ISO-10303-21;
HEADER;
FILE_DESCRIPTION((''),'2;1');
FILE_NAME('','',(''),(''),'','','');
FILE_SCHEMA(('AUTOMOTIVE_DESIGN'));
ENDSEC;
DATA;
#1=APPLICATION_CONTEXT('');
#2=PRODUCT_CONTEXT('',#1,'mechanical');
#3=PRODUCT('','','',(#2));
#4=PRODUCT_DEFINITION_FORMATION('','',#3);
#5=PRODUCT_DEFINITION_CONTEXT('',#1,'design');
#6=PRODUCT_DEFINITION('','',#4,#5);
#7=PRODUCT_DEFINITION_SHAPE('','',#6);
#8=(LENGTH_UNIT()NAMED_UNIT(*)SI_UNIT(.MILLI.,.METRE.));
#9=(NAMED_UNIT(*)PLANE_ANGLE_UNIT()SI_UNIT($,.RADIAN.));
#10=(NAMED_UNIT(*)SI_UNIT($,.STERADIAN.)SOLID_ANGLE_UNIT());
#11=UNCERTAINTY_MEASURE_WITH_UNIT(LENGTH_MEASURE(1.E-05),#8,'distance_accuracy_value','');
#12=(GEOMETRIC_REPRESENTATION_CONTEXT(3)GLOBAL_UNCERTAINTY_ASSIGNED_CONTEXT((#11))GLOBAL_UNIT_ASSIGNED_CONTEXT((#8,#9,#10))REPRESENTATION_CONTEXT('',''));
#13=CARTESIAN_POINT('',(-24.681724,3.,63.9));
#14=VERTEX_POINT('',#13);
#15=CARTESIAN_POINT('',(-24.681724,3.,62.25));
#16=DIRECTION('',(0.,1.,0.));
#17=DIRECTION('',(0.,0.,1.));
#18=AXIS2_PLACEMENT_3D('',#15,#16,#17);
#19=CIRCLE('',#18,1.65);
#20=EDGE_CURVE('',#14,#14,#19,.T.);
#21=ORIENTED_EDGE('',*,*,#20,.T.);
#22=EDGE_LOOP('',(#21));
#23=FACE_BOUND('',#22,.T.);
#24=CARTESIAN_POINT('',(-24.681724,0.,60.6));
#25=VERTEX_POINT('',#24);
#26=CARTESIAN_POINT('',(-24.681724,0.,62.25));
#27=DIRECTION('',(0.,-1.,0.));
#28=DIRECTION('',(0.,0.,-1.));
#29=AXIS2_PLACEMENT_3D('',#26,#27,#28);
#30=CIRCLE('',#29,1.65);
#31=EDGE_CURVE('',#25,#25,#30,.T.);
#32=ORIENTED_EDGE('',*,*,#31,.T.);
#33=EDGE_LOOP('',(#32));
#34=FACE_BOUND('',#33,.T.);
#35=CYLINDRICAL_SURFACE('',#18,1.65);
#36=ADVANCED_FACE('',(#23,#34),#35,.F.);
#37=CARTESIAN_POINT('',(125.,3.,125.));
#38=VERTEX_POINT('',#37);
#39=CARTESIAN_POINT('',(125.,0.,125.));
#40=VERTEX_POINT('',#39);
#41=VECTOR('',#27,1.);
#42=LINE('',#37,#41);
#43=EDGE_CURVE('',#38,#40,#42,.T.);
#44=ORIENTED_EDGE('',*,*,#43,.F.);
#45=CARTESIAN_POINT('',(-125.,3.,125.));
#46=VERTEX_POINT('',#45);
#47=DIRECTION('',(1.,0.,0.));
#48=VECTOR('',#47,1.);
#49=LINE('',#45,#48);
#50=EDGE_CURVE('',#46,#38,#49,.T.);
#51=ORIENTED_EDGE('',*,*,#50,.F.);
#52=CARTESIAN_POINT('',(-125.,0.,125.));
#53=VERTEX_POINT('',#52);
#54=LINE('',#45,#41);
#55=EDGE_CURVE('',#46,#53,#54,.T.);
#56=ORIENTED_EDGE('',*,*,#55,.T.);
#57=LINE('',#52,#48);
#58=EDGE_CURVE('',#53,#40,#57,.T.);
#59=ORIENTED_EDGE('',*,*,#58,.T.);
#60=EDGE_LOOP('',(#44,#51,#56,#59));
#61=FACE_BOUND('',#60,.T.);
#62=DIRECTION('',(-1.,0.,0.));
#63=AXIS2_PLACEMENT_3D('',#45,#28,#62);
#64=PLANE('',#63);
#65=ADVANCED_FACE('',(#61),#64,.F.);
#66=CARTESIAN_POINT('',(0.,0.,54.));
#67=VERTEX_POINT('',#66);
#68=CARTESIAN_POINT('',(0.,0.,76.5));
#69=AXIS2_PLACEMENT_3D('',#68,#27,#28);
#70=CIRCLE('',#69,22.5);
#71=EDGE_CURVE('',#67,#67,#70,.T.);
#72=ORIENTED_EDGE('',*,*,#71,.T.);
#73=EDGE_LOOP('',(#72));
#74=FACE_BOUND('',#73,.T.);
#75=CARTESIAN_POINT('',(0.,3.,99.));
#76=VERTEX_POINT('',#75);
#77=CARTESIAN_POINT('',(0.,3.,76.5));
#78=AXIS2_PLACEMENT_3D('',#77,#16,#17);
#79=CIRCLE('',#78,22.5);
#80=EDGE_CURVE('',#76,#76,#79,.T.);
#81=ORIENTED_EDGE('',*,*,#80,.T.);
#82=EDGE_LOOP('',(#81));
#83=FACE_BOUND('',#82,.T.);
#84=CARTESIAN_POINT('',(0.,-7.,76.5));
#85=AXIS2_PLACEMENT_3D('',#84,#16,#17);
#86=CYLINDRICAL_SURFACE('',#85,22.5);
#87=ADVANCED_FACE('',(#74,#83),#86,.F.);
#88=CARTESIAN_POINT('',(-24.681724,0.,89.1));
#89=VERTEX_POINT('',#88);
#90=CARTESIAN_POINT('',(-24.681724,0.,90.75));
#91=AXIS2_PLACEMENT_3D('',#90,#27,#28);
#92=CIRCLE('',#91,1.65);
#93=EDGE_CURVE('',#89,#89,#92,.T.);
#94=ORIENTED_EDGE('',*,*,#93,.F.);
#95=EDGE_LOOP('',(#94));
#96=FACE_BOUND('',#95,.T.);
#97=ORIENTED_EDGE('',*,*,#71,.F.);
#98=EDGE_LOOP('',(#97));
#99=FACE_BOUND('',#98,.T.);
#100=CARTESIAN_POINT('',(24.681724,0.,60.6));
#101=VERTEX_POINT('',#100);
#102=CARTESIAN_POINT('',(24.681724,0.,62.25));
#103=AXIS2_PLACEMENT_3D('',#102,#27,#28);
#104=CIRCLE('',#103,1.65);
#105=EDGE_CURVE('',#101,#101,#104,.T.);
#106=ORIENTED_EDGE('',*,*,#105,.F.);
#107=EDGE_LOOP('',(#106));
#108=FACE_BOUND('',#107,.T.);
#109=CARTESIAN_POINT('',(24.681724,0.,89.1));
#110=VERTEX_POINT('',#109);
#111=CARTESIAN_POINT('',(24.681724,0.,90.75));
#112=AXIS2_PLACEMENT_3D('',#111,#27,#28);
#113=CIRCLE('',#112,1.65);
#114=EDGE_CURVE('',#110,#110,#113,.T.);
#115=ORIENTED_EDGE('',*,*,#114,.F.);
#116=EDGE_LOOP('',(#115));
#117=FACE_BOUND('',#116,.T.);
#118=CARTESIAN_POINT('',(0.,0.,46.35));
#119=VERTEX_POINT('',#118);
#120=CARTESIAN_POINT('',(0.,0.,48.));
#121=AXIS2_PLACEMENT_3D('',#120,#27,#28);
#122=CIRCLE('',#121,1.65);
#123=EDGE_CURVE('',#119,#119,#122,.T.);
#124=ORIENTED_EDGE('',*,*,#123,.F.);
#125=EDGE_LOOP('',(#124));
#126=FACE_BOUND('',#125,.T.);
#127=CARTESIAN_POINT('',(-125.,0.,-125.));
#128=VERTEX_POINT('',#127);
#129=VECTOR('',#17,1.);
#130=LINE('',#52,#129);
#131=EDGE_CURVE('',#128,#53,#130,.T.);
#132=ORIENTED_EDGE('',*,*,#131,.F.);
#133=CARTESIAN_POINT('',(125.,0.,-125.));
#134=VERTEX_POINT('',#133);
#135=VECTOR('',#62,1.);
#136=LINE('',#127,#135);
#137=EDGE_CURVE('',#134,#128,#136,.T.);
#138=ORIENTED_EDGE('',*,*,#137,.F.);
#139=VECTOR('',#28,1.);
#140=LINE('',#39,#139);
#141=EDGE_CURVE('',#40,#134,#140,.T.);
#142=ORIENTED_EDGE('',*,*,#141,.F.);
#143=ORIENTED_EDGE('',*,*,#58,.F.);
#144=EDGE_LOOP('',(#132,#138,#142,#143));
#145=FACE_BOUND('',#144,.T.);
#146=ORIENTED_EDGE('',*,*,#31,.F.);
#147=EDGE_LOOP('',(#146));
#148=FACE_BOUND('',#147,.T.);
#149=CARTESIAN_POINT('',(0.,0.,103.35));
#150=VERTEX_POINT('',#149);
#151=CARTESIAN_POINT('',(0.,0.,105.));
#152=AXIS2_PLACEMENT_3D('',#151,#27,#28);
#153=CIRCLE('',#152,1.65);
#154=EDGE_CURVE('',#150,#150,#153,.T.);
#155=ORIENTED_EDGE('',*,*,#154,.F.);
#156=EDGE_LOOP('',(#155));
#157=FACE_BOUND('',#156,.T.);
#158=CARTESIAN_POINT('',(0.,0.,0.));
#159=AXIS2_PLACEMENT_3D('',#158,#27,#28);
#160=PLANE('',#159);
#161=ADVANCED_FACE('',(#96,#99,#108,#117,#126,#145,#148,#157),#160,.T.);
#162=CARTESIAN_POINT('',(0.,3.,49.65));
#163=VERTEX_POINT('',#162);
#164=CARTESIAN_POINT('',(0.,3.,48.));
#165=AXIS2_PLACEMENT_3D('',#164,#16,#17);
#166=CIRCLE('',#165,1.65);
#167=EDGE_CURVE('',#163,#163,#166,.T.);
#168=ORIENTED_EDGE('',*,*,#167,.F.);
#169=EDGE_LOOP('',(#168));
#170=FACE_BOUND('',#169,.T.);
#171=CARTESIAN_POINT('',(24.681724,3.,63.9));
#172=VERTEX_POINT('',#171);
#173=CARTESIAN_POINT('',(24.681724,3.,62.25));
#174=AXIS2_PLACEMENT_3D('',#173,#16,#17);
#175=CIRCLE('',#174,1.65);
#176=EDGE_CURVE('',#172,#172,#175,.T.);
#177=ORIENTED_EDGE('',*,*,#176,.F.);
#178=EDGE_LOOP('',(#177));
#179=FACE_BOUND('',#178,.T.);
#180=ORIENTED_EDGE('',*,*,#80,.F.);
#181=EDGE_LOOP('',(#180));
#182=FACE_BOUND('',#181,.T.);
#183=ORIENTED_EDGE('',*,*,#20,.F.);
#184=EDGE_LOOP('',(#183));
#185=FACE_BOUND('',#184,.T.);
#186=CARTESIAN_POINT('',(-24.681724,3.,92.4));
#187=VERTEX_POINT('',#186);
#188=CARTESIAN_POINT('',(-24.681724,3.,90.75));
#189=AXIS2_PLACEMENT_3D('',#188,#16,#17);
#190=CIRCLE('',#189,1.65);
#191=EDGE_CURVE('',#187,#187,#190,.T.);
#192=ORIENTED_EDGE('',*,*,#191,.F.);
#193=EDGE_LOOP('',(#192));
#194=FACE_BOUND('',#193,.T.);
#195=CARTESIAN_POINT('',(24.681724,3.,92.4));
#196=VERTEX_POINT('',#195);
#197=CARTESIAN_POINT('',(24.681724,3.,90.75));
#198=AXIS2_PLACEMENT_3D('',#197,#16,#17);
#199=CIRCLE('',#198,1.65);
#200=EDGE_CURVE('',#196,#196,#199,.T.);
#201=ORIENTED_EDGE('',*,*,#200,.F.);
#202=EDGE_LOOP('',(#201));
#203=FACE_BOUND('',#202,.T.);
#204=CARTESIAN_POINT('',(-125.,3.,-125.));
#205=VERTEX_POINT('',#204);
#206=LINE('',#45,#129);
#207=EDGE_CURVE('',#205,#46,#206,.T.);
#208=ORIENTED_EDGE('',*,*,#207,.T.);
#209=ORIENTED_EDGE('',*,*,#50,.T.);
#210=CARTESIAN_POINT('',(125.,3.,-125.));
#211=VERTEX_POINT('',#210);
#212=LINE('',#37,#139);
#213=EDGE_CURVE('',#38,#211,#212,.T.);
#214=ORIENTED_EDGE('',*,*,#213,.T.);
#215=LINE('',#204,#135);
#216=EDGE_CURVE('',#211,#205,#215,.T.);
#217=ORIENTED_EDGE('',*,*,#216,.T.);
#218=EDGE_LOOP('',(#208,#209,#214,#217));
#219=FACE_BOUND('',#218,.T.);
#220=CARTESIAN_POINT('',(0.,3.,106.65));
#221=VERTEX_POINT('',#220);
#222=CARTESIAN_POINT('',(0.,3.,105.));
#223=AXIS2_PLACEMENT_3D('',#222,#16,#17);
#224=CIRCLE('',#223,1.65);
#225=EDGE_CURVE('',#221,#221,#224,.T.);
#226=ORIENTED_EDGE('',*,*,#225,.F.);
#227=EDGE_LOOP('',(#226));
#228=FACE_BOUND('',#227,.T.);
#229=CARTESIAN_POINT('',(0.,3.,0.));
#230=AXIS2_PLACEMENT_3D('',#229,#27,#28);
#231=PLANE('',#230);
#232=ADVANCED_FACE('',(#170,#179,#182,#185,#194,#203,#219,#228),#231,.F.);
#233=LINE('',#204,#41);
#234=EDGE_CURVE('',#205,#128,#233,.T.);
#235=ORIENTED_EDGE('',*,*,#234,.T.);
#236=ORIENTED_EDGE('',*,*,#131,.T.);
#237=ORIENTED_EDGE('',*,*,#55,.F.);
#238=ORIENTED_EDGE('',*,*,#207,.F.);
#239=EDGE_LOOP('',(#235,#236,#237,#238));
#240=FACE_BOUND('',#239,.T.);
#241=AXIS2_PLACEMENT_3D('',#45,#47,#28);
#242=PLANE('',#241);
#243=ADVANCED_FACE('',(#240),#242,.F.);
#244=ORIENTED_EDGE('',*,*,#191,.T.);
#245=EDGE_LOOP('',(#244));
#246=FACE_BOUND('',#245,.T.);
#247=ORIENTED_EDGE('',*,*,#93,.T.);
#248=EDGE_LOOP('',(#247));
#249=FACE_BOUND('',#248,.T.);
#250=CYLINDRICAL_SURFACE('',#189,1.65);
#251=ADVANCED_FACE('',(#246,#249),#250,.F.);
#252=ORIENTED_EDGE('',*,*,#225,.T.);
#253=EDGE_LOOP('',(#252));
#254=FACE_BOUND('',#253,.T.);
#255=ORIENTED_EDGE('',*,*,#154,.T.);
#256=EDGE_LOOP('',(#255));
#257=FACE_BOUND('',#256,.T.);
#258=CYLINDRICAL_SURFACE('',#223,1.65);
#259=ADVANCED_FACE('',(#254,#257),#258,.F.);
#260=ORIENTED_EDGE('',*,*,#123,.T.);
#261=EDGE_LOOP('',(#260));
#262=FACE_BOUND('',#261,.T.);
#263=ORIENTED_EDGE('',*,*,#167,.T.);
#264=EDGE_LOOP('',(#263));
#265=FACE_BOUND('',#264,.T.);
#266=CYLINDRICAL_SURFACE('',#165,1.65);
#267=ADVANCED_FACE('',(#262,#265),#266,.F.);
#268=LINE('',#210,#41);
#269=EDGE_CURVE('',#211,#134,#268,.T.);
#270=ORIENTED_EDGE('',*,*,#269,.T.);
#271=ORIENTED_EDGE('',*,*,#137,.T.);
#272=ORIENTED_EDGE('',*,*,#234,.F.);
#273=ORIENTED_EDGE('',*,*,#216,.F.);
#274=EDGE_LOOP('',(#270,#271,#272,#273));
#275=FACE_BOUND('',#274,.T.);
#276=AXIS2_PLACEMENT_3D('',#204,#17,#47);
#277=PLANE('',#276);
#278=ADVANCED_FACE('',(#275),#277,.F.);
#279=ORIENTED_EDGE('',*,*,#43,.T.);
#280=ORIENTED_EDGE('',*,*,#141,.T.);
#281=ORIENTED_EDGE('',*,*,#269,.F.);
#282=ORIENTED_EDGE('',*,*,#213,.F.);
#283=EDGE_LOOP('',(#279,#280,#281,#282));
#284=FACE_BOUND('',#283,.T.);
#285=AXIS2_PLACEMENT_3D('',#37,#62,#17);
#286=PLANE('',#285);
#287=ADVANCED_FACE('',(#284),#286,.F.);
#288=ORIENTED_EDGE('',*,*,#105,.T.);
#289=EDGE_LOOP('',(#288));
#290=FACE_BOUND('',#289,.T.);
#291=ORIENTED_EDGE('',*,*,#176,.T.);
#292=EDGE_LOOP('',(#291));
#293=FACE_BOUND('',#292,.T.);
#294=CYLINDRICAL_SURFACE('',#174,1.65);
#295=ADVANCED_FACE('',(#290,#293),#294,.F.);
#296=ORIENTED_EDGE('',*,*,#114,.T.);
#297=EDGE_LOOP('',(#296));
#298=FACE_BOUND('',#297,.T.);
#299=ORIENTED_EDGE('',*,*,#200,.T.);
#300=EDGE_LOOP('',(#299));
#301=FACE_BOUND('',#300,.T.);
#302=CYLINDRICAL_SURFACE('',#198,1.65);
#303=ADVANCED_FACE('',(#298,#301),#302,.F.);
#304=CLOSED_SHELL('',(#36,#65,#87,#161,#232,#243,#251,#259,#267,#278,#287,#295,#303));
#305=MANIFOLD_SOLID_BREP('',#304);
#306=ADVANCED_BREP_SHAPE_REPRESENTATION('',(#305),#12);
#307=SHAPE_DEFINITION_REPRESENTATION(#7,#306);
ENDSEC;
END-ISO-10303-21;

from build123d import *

# Parameters (mm, degrees)
SKETCH_1_W               = 250
SKETCH_1_H               = 250
EXTRUDE_1_DEPTH          = 3
HOLE_WIZARD_1_D          = 3.3
PATTERN_CIRCULAR_1_COUNT = 6
SKETCH_5_R               = 22.5
CUT_EXTRUDE_1_DEPTH      = 10


with BuildPart() as part:
    # 草图1 → 凸台-拉伸1 (new body)
    with BuildSketch(Plane(origin=(0, 0, 0), x_dir=(1, 0, 0), z_dir=(0, 1, 0))):
        Rectangle(SKETCH_1_W, SKETCH_1_H)
    extrude(amount=EXTRUDE_1_DEPTH)

    # 孔1 (through all)
    with Locations(Plane(origin=(0, 3, 0), x_dir=(1, 0, 0), z_dir=(0, 1, 0))):
        with Locations((0, -48)):
            hole_wizard_1 = Hole(HOLE_WIZARD_1_D / 2)

    # 阵列(圆周)1: 孔1 ×6 about axis
    pattern_circular_1_axis = Axis((0, 0, 76.5), (0, 1, 0))
    for i in range(1, PATTERN_CIRCULAR_1_COUNT):
        add(hole_wizard_1.rotate(pattern_circular_1_axis, i * 360 / PATTERN_CIRCULAR_1_COUNT), mode=Mode.SUBTRACT)

    # 草图5 → 切除-拉伸1 (cut)
    with BuildSketch(Plane(origin=(0, 3, 0), x_dir=(1, 0, 0), z_dir=(0, 1, 0))):
        with Locations(Location((0, -76.5, 0), (0, 0, 270))):
            Circle(SKETCH_5_R)
    extrude(amount=-CUT_EXTRUDE_1_DEPTH, mode=Mode.SUBTRACT)


solid = part.part
